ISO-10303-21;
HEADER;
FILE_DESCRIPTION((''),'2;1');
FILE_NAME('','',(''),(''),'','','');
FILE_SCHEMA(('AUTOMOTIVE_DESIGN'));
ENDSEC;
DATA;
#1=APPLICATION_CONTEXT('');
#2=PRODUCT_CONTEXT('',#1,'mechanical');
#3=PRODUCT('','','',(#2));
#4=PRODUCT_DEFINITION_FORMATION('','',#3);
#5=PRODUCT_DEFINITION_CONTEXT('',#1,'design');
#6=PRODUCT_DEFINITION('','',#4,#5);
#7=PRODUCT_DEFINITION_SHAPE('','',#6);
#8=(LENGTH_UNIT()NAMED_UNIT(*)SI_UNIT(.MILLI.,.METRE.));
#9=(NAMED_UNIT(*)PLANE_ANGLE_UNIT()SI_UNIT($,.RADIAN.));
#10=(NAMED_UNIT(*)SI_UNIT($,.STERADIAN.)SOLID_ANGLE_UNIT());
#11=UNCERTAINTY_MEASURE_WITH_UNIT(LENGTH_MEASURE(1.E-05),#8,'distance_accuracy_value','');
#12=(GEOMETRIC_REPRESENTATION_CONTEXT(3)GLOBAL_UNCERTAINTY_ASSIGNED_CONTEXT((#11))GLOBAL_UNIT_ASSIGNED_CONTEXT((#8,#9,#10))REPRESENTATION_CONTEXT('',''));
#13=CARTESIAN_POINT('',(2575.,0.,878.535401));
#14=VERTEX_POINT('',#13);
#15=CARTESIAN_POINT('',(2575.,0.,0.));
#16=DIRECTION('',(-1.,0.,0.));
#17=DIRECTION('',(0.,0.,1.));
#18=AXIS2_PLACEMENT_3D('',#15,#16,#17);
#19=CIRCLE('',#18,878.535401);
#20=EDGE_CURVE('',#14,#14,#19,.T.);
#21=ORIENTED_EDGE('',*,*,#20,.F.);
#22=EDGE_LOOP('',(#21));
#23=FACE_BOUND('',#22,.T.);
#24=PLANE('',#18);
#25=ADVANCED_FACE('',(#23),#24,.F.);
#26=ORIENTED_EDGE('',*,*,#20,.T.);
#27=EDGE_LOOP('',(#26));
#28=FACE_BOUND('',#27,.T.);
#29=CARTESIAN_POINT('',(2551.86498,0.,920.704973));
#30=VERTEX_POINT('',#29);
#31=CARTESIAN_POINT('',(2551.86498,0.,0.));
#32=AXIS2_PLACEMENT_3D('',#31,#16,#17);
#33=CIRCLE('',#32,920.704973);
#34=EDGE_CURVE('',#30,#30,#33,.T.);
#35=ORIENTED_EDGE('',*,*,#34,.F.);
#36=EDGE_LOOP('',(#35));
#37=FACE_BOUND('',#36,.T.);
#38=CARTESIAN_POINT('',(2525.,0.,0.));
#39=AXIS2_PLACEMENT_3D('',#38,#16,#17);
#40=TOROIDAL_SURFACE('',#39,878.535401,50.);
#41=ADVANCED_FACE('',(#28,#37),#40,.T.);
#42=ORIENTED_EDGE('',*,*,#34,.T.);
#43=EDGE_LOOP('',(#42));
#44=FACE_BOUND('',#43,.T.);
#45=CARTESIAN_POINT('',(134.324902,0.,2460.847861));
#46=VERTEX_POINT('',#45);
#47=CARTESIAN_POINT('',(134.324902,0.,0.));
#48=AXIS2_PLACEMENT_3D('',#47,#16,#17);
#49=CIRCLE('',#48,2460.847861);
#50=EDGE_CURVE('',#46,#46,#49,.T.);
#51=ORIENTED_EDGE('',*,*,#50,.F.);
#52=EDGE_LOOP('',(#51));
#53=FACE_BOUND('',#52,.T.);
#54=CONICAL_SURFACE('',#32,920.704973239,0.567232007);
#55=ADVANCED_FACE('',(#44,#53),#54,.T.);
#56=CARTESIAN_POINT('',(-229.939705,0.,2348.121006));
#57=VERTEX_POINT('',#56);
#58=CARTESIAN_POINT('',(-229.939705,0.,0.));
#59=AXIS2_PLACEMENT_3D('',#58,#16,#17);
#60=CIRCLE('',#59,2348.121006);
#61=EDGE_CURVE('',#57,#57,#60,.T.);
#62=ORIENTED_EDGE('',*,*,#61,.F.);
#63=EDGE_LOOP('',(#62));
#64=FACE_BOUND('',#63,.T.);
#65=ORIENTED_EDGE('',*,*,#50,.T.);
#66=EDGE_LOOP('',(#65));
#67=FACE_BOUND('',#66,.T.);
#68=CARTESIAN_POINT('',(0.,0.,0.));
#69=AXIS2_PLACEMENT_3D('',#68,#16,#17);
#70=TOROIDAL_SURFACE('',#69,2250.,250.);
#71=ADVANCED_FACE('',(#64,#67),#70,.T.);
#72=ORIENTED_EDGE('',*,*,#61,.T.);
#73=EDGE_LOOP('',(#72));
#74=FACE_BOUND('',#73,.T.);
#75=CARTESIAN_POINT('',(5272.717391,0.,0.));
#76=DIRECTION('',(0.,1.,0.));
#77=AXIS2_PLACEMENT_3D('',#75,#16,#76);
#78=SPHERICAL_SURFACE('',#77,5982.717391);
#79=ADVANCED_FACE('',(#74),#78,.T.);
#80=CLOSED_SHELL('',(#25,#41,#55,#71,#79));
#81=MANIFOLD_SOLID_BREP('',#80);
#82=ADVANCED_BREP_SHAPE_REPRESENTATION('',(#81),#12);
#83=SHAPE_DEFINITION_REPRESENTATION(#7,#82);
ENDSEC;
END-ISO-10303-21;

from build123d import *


with BuildPart() as part:
    # Sketch1 → Revolve1 (revolve)
    with BuildSketch(Plane.XY, mode=Mode.PRIVATE) as revolve1_sk:
        with BuildLine():
            Line((-710, 0), (2575, 0))
            Line((2575, 0), (2575, 878.535400948))
            ThreePointArc((2575, 878.535400948), (2568.836337785, 902.584839394), (2551.864980417, 920.704973239))
            Line((2551.864980417, 920.704973239), (134.324902087, 2460.847861453))
            ThreePointArc((134.324902087, 2460.847861453), (-73.907940114, 2488.825493589), (-229.939705353, 2348.121006428))
            ThreePointArc((-229.939705353, 2348.121006428), (-588.756386457, 1198.34575012), (-710, 0))
        make_face()
    revolve(revolve1_sk.sketch.rotate(Axis((2575, 0, 0), (1, 0, 0)), 90), axis=Axis((2575, 0, 0), (1, 0, 0)))


solid = part.part
